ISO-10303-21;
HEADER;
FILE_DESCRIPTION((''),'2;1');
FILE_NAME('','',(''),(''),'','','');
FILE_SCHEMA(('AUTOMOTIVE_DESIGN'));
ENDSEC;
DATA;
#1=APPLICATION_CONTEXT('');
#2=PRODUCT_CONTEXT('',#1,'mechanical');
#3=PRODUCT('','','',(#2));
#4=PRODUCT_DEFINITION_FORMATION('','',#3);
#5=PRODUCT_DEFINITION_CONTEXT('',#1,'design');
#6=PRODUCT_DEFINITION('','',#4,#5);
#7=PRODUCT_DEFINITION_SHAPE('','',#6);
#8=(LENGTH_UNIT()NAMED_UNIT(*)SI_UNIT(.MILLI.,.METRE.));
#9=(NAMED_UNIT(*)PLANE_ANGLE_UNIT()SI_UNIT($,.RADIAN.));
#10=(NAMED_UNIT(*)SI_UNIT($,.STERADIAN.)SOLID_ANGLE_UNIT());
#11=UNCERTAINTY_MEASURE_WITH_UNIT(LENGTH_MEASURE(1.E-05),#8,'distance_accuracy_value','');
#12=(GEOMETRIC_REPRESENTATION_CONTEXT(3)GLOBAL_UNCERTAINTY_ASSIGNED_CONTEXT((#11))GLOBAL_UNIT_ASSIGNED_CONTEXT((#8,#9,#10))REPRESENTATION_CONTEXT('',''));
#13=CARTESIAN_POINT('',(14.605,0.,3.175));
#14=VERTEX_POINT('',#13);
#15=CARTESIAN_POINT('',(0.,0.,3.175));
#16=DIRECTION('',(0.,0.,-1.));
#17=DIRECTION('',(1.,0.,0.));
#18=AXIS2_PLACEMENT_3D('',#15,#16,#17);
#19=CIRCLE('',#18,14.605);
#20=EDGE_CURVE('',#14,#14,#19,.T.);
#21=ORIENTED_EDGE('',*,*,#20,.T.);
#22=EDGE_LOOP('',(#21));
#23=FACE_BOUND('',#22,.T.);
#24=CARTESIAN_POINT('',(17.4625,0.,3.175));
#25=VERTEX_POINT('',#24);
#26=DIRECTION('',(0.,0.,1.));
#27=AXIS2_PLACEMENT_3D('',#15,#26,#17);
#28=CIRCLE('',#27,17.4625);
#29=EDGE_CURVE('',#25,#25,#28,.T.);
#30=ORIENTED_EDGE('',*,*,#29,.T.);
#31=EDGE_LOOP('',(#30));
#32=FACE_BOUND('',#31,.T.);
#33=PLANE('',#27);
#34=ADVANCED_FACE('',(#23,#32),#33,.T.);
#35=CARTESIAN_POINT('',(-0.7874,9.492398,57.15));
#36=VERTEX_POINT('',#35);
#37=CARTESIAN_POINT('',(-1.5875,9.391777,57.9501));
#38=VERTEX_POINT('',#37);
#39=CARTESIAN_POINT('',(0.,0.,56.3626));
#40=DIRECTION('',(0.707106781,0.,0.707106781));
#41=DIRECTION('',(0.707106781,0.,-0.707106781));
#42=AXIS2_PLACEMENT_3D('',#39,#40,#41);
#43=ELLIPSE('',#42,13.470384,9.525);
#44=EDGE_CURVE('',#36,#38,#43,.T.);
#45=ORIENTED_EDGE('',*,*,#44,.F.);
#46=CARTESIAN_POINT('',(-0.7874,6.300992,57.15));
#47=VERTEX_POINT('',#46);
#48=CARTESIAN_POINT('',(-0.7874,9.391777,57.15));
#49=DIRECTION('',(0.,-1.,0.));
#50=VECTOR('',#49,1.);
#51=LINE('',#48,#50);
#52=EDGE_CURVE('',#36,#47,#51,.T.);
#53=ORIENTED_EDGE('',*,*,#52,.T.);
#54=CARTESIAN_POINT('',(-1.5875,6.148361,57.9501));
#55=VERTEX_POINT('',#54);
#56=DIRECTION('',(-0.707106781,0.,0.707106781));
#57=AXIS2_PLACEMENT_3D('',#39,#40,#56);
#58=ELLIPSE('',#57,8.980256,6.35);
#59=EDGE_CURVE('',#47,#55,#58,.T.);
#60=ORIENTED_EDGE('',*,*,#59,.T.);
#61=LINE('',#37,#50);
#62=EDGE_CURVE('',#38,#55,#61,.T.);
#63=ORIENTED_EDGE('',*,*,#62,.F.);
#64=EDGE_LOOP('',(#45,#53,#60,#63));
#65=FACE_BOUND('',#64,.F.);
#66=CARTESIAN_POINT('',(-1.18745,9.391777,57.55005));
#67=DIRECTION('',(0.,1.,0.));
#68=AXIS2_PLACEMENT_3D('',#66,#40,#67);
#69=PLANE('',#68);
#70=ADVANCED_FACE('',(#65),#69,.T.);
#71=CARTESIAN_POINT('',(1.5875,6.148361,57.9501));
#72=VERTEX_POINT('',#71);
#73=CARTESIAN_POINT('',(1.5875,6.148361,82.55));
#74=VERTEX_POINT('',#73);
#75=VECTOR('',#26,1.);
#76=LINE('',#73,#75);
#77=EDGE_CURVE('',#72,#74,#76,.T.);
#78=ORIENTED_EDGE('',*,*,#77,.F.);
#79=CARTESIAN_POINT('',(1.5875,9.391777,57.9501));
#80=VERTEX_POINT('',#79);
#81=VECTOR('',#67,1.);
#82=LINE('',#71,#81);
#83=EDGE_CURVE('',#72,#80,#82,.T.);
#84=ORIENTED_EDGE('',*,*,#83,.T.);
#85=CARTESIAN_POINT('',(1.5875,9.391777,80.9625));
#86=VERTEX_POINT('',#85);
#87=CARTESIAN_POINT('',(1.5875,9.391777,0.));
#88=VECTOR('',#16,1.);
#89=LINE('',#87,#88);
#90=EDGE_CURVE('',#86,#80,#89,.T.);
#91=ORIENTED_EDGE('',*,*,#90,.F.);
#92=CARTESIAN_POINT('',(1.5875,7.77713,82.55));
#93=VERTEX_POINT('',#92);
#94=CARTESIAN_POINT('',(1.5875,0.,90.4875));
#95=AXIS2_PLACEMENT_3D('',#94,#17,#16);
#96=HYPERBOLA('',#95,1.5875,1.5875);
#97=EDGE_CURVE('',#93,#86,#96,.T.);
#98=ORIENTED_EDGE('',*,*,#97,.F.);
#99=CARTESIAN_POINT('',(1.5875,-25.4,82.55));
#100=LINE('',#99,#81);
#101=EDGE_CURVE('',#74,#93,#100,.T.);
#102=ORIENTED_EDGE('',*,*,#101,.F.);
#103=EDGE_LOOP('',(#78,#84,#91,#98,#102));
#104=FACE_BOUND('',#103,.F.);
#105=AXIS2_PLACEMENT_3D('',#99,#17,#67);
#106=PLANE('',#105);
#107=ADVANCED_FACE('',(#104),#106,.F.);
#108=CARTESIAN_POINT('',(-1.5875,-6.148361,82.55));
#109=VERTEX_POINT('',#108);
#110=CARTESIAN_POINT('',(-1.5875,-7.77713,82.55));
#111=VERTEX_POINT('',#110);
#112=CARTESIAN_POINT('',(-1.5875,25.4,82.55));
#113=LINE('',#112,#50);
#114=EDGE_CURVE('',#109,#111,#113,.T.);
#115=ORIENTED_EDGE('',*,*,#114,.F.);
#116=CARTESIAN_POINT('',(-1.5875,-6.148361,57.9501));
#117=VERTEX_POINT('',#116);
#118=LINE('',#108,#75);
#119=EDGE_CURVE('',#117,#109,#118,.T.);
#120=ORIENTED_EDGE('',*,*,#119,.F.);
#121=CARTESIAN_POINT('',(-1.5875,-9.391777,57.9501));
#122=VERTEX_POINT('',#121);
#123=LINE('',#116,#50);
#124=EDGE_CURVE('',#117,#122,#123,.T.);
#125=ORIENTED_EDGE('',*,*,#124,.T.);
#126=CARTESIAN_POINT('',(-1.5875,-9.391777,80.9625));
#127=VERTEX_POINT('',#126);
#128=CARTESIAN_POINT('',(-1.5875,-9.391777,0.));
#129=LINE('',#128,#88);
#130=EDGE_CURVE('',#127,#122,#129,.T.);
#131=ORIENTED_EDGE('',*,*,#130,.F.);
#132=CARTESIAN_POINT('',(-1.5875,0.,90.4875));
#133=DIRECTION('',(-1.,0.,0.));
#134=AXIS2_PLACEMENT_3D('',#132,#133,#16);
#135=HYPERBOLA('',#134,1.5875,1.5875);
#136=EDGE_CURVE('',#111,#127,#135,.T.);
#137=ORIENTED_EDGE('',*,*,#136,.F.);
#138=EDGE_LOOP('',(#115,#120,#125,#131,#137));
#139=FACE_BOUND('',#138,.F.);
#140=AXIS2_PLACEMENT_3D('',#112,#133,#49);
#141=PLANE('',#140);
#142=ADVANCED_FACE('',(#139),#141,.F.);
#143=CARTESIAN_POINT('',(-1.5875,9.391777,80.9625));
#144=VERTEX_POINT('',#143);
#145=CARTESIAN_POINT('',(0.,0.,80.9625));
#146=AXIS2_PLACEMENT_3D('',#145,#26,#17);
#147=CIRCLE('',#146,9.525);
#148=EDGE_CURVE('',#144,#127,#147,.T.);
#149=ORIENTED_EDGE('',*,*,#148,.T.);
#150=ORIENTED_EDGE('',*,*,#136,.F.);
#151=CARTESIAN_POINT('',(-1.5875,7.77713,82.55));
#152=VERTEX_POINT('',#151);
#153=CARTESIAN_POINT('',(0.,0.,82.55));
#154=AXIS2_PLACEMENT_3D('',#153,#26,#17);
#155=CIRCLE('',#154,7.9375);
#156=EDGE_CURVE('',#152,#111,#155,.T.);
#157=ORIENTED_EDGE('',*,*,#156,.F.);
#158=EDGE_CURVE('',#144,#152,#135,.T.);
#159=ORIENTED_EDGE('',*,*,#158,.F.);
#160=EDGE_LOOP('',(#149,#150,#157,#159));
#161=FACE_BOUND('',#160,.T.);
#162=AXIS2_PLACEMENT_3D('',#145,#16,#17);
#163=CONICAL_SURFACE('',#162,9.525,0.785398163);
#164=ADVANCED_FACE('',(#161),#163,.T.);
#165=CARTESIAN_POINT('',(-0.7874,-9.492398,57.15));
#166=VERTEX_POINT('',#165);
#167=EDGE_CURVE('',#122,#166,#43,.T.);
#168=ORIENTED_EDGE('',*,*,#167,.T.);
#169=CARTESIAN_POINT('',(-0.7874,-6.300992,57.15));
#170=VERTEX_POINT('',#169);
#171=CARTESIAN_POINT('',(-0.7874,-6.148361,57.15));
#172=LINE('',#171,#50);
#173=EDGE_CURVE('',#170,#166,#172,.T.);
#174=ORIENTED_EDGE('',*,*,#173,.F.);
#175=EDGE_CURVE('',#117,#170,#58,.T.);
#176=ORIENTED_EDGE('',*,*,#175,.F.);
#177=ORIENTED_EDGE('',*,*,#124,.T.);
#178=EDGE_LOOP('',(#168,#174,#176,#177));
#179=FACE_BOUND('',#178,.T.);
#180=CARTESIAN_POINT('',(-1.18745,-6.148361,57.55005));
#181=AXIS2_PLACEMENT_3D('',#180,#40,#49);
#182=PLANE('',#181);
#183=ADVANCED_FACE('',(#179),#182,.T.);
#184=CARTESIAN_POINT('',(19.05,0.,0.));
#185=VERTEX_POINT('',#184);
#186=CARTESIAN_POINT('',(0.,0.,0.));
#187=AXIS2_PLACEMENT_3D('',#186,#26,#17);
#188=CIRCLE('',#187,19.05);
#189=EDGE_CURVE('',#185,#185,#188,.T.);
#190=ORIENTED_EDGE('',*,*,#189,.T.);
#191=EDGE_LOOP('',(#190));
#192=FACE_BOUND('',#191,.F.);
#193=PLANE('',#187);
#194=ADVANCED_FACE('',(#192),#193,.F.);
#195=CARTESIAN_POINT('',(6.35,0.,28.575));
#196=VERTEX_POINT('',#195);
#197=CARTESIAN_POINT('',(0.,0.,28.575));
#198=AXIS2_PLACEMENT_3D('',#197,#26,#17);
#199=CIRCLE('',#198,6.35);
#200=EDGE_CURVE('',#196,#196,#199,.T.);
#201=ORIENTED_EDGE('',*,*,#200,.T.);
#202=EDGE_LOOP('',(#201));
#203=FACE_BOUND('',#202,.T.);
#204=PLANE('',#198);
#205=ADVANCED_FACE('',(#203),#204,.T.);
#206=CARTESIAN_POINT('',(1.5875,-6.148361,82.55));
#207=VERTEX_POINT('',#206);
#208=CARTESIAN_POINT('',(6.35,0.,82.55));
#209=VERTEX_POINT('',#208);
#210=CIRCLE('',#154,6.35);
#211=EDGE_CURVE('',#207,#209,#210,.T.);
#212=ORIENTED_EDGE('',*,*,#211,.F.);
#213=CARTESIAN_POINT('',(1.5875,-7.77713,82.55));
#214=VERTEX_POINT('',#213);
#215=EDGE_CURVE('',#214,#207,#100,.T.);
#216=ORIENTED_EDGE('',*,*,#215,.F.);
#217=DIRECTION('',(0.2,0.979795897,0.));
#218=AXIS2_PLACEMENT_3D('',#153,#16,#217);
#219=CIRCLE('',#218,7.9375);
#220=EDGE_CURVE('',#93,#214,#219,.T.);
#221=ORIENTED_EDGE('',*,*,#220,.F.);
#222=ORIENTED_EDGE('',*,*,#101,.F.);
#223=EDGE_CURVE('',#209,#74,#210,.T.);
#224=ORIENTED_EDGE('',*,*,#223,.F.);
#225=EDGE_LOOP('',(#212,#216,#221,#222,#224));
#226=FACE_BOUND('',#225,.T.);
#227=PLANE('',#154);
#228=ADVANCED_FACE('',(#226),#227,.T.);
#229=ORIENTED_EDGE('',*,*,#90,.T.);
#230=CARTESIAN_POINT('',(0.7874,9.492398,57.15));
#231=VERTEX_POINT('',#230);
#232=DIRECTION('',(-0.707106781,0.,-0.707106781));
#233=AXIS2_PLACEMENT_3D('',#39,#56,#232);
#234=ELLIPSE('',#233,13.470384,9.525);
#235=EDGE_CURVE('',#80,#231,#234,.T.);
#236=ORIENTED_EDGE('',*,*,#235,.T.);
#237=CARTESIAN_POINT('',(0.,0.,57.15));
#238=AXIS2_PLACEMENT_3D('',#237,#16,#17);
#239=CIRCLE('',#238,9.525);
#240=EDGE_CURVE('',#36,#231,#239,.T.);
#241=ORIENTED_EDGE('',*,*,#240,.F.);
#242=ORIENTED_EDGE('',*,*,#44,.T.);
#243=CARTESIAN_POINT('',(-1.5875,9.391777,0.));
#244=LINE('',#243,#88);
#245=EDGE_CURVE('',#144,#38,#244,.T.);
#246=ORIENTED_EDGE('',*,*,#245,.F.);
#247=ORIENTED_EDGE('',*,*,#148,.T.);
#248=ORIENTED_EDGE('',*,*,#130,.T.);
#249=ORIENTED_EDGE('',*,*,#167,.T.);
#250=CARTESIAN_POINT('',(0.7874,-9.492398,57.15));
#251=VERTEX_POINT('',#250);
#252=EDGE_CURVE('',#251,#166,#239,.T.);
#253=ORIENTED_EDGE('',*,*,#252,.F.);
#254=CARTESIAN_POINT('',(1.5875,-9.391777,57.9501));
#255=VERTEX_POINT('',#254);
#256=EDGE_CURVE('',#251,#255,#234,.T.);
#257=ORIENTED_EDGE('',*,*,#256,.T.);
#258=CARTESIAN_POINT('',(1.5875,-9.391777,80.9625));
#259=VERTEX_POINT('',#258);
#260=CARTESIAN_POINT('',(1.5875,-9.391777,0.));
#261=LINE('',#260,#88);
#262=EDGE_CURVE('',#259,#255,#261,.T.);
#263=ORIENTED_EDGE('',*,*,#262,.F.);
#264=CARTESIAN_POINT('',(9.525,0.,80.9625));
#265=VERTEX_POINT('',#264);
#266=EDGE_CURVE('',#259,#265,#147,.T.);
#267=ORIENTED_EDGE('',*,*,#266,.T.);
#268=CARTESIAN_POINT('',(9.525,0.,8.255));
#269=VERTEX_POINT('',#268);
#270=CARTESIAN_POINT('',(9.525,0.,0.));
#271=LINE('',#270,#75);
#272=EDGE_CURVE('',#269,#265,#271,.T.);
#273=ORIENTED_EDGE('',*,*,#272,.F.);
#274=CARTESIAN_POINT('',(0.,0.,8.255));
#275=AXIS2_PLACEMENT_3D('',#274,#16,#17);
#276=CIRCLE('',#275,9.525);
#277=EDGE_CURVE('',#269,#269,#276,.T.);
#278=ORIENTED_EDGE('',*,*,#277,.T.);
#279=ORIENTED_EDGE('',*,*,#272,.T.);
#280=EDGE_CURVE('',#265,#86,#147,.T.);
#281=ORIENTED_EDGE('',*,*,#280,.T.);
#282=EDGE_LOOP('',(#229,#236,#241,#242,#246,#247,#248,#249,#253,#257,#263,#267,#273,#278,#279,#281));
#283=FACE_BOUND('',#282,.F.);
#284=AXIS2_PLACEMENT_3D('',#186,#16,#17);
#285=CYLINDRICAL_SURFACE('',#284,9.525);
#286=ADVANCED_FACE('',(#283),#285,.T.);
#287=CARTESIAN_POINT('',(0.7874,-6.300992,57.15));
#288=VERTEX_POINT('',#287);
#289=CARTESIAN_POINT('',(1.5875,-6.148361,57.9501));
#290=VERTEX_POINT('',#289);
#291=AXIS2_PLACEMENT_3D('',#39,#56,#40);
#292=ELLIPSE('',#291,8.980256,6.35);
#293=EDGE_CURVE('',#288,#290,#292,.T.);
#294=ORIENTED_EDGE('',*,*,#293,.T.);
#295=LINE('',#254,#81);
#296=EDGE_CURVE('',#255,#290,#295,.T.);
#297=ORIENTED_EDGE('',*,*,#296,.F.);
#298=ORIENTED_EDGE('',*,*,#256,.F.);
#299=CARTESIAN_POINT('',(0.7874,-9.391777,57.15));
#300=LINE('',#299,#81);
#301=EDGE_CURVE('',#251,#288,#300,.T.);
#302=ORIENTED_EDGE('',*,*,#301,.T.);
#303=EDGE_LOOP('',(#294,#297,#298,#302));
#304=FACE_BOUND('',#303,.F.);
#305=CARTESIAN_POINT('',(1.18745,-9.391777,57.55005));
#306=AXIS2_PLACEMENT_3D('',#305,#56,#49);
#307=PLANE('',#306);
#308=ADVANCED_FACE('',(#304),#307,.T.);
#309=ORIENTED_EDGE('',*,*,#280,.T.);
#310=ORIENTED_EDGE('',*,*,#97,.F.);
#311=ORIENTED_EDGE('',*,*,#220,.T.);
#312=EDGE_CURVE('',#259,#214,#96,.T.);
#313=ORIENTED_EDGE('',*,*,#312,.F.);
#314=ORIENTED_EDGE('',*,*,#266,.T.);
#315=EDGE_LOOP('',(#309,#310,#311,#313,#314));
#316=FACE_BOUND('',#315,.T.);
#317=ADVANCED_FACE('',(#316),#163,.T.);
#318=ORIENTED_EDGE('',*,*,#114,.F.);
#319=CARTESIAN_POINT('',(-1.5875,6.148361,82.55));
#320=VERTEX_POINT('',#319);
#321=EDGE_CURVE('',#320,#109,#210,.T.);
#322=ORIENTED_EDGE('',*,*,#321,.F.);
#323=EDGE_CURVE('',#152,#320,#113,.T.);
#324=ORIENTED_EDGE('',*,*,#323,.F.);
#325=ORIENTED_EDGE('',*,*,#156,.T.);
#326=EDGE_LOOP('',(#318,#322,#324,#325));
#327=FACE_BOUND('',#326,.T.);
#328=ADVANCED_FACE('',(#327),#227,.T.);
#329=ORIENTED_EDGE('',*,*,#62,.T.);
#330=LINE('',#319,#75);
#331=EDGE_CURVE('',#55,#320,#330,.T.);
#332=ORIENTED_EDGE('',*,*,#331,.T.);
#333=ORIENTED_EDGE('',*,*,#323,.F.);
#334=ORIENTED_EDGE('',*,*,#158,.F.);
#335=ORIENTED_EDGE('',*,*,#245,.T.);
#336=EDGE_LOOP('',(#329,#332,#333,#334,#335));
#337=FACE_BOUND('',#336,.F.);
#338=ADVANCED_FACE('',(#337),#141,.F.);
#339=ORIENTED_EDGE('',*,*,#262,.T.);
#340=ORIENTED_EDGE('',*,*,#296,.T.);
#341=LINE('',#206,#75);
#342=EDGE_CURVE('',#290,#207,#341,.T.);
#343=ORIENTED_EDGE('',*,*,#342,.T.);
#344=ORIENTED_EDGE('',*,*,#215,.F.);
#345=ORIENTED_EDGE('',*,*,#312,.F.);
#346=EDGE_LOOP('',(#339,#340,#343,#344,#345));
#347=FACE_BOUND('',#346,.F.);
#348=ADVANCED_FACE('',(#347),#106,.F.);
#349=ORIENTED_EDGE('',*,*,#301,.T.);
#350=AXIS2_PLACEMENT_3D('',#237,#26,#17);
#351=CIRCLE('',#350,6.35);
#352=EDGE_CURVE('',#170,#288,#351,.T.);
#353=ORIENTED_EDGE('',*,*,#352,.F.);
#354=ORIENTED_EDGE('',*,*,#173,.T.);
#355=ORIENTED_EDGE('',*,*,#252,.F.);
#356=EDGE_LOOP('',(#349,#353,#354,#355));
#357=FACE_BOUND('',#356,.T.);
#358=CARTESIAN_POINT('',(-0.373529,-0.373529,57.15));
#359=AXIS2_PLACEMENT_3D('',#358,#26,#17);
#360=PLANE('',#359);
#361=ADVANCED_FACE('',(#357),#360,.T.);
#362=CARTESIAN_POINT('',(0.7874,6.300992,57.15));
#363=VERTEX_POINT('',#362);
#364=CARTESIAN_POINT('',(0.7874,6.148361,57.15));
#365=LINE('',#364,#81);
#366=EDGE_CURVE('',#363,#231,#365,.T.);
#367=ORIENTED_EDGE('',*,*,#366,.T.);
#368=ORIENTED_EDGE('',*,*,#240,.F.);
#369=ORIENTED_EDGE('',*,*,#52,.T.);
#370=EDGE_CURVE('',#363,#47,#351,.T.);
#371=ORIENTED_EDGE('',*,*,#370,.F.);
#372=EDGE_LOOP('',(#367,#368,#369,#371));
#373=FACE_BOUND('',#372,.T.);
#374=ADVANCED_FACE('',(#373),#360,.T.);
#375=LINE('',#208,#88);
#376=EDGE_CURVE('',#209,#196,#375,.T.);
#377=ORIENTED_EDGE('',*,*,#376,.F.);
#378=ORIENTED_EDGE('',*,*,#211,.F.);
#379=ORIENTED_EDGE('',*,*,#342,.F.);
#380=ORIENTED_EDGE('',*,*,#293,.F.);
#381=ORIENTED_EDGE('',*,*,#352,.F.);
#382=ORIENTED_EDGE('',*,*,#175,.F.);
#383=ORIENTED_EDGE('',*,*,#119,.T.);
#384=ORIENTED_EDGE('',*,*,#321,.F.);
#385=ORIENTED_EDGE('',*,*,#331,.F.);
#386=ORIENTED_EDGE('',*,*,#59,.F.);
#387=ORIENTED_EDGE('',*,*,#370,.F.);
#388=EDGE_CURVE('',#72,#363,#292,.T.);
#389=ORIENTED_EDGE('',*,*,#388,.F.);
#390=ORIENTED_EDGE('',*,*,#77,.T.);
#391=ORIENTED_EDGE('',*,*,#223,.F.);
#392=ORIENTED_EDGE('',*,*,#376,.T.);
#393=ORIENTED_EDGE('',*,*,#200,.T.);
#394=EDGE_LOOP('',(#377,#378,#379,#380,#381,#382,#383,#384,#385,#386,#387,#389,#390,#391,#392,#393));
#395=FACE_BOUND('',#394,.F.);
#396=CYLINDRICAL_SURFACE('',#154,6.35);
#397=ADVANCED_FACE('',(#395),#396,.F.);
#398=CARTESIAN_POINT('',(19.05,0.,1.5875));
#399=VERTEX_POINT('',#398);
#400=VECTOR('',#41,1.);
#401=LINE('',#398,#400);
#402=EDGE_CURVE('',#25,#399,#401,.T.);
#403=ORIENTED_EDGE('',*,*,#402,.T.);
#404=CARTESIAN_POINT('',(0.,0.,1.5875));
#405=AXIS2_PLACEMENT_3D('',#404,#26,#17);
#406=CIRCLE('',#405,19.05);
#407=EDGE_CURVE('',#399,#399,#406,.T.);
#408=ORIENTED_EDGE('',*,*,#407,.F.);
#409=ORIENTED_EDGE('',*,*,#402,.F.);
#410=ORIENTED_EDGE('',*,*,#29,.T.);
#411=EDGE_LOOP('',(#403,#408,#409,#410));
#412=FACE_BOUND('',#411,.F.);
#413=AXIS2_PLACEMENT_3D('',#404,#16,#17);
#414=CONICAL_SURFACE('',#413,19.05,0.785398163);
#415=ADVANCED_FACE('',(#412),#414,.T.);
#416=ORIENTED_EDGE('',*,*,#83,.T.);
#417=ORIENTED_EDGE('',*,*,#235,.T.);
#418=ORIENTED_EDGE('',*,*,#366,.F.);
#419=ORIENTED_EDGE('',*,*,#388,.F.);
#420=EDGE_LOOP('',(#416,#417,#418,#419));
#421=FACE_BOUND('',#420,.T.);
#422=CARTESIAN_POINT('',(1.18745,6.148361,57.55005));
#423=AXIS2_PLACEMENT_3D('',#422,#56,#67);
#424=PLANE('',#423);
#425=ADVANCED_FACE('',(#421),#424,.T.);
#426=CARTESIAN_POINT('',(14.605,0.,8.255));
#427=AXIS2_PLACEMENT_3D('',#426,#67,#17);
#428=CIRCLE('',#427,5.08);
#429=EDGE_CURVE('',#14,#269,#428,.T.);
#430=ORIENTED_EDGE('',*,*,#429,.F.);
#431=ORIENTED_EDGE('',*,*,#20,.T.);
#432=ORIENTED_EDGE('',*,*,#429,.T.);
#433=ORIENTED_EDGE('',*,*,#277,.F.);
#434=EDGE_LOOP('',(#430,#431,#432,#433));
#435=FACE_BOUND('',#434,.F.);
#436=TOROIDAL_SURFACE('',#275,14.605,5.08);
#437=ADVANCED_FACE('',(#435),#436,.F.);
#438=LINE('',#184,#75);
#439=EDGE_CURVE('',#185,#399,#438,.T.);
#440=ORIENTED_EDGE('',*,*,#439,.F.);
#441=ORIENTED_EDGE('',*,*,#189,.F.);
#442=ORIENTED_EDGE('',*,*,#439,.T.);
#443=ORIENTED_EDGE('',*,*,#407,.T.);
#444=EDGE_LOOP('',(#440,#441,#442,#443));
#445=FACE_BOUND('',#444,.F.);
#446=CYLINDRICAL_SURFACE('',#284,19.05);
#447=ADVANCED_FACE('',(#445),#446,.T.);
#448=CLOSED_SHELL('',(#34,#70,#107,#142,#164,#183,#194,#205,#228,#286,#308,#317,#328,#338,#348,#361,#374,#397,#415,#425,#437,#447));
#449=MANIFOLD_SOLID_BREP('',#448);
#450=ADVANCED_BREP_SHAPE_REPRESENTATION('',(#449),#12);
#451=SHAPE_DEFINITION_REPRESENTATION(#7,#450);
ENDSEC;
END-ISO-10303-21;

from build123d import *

# Parameters (mm, degrees)
F0_R     = 9.525
F1_DEPTH = 82.55
F2_R     = 19.05
F3_DEPTH = 3.175
F4_R     = 6.35
F5_DEPTH = 53.975
F6_R     = 5.08
F7_SIZE  = 1.5875
F8_W     = 1.5875
F8_H     = 25.4
F9_DEPTH = 25.4
F10_SIZE = 0.8001


with BuildPart() as f1:
    # F0 (on Top) → F1 (new body)
    with BuildSketch(Plane.XY):
        Circle(F0_R)
    extrude(amount=F1_DEPTH)

    # F2 (on Top) → F3 (join)
    with BuildSketch(Plane.XY):
        Circle(F2_R)
    extrude(amount=F3_DEPTH)

    # F4 (on face) → F5 (cut)
    with BuildSketch(Plane.XY.offset(82.55)):
        Circle(F4_R)
    extrude(amount=-F5_DEPTH, mode=Mode.SUBTRACT)

    # F6
    f6_edges = [f1.edges().sort_by_distance(p)[0] for p in [
        (-9.525, 0, 3.175),
    ]]
    fillet(f6_edges, radius=F6_R)

    # F7
    f7_edges = [f1.edges().sort_by_distance(p)[0] for p in [
        (-9.525, 0, 82.55),
        (-19.05, 0, 3.175),
    ]]
    chamfer(f7_edges, length=F7_SIZE)

    # F8 (on face) → F9 (cut)
    with BuildSketch(Plane.XY.offset(82.55)):
        Polygon((1.5875, 0), (0, 0), (0, 25.4), (-1.5875, 25.4), (-1.5875, 0), (-1.5875, -25.4), (0, -25.4), (1.5875, -25.4), align=None)
        with Locations((0.79375, 12.7)):
            Rectangle(F8_W, F8_H)
    extrude(amount=-F9_DEPTH, mode=Mode.SUBTRACT)

    # F10
    f10_edges = [f1.edges().sort_by_distance(p)[0] for p in [
        (1.5875, 7.770069, 57.15),
        (1.5875, -7.770069, 57.15),
        (-1.5875, 7.770069, 57.15),
        (-1.5875, -7.770069, 57.15),
    ]]
    chamfer(f10_edges, length=F10_SIZE)


solid = f1.part
